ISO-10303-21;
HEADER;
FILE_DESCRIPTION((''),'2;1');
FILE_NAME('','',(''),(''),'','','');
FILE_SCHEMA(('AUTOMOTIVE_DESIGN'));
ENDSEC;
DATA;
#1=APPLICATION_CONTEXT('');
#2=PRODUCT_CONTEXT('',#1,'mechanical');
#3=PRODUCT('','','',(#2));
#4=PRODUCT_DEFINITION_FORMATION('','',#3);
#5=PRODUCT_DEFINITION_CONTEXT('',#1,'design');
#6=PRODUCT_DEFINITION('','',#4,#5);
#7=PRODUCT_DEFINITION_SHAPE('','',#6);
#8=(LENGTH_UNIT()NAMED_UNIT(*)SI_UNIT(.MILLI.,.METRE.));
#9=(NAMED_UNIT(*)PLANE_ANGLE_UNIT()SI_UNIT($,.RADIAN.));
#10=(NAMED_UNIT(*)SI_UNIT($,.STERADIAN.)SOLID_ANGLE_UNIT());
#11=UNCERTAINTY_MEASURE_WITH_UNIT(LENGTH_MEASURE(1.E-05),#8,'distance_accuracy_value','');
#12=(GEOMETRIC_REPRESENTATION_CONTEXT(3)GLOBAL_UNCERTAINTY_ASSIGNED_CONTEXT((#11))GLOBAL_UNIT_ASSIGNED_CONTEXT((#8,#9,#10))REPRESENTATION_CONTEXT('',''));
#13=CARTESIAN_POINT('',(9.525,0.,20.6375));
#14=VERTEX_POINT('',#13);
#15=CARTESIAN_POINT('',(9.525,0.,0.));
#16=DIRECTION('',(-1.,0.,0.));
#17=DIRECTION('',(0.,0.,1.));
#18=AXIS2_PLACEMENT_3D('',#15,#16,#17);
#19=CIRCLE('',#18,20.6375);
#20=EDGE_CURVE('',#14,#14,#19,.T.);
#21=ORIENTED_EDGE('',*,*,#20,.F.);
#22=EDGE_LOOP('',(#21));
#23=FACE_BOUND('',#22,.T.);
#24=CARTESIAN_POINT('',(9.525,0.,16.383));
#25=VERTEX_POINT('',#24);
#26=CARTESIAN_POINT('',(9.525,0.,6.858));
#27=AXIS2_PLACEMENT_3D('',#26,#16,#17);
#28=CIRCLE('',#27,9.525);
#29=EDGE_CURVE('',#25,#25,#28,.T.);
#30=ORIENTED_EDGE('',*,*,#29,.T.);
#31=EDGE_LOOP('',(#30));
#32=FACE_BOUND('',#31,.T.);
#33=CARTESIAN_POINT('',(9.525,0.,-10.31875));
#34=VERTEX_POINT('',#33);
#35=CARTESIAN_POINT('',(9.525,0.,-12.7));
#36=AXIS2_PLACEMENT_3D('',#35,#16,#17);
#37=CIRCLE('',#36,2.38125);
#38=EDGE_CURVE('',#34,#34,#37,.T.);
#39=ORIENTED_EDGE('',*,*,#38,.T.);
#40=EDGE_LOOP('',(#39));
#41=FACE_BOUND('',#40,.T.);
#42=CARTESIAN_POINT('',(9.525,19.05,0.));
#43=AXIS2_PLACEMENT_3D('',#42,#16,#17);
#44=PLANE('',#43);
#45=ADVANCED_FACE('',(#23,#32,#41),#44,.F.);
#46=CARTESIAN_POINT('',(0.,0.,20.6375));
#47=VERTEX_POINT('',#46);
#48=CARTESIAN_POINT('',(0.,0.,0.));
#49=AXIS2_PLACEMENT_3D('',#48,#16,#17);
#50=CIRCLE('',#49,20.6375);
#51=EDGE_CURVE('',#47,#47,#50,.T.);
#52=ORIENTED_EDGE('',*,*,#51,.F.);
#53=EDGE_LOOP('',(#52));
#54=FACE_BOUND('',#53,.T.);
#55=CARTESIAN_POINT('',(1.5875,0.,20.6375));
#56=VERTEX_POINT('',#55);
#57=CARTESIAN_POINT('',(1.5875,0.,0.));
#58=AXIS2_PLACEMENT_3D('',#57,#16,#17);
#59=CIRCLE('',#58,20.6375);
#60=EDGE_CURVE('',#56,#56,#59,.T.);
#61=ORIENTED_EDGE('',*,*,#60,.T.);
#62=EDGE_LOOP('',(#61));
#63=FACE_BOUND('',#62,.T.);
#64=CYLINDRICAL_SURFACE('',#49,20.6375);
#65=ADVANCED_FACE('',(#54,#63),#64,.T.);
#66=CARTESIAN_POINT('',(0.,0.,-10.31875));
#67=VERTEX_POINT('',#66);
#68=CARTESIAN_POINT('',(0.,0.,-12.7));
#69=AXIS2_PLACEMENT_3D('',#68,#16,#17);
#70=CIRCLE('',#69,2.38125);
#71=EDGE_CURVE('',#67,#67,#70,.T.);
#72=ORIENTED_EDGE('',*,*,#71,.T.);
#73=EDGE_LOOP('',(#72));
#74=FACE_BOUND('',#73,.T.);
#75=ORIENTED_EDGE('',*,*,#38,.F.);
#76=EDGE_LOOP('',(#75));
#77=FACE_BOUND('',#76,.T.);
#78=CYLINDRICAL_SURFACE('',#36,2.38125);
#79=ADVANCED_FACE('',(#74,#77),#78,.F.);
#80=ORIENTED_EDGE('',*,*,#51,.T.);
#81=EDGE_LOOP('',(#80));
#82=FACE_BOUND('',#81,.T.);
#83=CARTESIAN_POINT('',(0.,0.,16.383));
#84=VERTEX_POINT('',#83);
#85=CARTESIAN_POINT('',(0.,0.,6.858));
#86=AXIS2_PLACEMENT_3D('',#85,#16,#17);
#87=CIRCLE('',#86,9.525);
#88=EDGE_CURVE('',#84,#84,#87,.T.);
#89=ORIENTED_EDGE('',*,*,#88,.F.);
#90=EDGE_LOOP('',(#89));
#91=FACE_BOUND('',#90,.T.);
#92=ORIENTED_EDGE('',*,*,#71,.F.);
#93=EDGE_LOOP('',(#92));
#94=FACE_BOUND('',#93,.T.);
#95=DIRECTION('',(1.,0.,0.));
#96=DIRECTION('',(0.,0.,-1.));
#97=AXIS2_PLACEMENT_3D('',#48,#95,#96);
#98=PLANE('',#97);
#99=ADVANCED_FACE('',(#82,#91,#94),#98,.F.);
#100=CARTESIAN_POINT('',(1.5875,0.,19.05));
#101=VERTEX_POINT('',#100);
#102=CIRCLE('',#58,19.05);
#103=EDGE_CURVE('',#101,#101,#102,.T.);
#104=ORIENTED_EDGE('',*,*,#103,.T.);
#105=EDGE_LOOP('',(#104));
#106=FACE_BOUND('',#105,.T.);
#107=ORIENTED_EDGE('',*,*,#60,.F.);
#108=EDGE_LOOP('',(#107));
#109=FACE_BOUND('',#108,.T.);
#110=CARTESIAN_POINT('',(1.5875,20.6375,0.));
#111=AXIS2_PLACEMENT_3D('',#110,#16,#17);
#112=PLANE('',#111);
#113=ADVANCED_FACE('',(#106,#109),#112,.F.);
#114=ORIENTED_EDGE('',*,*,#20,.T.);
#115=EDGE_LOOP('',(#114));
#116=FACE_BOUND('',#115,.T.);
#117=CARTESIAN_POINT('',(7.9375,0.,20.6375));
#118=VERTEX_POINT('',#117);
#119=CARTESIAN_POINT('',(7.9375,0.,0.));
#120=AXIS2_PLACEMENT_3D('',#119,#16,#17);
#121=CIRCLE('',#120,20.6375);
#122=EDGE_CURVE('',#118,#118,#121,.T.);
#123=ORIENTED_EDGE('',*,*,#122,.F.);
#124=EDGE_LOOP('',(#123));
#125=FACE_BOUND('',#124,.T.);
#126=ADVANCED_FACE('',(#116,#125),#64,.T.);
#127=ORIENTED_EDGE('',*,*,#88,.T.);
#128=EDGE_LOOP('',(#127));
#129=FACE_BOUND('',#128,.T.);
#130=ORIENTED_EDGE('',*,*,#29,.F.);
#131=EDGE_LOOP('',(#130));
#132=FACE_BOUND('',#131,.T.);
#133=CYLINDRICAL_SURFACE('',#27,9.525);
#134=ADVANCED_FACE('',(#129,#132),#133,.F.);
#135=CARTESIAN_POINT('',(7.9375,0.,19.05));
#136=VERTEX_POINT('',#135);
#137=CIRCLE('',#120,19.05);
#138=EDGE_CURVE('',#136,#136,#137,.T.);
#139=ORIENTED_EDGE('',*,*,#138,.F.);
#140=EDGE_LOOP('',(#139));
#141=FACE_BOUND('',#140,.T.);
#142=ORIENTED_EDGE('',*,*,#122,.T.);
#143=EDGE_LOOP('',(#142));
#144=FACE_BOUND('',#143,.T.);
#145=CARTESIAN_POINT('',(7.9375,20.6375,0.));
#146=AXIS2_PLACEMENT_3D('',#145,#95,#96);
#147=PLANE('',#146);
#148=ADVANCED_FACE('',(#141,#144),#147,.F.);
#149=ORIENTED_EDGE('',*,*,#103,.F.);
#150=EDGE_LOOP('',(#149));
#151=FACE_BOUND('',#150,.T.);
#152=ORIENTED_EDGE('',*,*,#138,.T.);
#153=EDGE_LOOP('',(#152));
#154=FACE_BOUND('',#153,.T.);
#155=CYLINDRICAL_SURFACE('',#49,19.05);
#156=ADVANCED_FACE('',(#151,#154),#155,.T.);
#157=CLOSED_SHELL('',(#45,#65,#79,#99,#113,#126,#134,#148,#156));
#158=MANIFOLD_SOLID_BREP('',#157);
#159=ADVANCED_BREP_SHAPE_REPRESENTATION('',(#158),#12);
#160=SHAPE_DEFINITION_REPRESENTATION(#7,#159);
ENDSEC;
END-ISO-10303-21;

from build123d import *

# Parameters (mm, degrees)
SKETCH3_R          = 2.38125
SKETCH3_R_2        = 9.525
CUT_EXTRUDE1_DEPTH = 31.700788874


with BuildPart() as part:
    # Sketch2 → Revolve1 (revolve)
    with BuildSketch(Plane.XY, mode=Mode.PRIVATE) as revolve1_sk:
        Polygon((0, 0), (0, 19.05), (0, 20.6375), (1.5875, 20.6375), (1.5875, 19.05), (7.9375, 19.05), (7.9375, 20.6375), (9.525, 20.6375), (9.525, 19.05), (9.525, 0), align=None)
    revolve(revolve1_sk.sketch.rotate(Axis((0, 0, 0), (1, 0, 0)), 90), axis=Axis((0, 0, 0), (1, 0, 0)))

    # Sketch3 → Cut-Extrude1 (cut, through all)
    with BuildSketch(Plane.ZY):
        with Locations((-12.7, 0)):
            Circle(SKETCH3_R)
        with Locations((6.858, 0)):
            Circle(SKETCH3_R_2)
    extrude(amount=-CUT_EXTRUDE1_DEPTH, mode=Mode.SUBTRACT)


solid = part.part
